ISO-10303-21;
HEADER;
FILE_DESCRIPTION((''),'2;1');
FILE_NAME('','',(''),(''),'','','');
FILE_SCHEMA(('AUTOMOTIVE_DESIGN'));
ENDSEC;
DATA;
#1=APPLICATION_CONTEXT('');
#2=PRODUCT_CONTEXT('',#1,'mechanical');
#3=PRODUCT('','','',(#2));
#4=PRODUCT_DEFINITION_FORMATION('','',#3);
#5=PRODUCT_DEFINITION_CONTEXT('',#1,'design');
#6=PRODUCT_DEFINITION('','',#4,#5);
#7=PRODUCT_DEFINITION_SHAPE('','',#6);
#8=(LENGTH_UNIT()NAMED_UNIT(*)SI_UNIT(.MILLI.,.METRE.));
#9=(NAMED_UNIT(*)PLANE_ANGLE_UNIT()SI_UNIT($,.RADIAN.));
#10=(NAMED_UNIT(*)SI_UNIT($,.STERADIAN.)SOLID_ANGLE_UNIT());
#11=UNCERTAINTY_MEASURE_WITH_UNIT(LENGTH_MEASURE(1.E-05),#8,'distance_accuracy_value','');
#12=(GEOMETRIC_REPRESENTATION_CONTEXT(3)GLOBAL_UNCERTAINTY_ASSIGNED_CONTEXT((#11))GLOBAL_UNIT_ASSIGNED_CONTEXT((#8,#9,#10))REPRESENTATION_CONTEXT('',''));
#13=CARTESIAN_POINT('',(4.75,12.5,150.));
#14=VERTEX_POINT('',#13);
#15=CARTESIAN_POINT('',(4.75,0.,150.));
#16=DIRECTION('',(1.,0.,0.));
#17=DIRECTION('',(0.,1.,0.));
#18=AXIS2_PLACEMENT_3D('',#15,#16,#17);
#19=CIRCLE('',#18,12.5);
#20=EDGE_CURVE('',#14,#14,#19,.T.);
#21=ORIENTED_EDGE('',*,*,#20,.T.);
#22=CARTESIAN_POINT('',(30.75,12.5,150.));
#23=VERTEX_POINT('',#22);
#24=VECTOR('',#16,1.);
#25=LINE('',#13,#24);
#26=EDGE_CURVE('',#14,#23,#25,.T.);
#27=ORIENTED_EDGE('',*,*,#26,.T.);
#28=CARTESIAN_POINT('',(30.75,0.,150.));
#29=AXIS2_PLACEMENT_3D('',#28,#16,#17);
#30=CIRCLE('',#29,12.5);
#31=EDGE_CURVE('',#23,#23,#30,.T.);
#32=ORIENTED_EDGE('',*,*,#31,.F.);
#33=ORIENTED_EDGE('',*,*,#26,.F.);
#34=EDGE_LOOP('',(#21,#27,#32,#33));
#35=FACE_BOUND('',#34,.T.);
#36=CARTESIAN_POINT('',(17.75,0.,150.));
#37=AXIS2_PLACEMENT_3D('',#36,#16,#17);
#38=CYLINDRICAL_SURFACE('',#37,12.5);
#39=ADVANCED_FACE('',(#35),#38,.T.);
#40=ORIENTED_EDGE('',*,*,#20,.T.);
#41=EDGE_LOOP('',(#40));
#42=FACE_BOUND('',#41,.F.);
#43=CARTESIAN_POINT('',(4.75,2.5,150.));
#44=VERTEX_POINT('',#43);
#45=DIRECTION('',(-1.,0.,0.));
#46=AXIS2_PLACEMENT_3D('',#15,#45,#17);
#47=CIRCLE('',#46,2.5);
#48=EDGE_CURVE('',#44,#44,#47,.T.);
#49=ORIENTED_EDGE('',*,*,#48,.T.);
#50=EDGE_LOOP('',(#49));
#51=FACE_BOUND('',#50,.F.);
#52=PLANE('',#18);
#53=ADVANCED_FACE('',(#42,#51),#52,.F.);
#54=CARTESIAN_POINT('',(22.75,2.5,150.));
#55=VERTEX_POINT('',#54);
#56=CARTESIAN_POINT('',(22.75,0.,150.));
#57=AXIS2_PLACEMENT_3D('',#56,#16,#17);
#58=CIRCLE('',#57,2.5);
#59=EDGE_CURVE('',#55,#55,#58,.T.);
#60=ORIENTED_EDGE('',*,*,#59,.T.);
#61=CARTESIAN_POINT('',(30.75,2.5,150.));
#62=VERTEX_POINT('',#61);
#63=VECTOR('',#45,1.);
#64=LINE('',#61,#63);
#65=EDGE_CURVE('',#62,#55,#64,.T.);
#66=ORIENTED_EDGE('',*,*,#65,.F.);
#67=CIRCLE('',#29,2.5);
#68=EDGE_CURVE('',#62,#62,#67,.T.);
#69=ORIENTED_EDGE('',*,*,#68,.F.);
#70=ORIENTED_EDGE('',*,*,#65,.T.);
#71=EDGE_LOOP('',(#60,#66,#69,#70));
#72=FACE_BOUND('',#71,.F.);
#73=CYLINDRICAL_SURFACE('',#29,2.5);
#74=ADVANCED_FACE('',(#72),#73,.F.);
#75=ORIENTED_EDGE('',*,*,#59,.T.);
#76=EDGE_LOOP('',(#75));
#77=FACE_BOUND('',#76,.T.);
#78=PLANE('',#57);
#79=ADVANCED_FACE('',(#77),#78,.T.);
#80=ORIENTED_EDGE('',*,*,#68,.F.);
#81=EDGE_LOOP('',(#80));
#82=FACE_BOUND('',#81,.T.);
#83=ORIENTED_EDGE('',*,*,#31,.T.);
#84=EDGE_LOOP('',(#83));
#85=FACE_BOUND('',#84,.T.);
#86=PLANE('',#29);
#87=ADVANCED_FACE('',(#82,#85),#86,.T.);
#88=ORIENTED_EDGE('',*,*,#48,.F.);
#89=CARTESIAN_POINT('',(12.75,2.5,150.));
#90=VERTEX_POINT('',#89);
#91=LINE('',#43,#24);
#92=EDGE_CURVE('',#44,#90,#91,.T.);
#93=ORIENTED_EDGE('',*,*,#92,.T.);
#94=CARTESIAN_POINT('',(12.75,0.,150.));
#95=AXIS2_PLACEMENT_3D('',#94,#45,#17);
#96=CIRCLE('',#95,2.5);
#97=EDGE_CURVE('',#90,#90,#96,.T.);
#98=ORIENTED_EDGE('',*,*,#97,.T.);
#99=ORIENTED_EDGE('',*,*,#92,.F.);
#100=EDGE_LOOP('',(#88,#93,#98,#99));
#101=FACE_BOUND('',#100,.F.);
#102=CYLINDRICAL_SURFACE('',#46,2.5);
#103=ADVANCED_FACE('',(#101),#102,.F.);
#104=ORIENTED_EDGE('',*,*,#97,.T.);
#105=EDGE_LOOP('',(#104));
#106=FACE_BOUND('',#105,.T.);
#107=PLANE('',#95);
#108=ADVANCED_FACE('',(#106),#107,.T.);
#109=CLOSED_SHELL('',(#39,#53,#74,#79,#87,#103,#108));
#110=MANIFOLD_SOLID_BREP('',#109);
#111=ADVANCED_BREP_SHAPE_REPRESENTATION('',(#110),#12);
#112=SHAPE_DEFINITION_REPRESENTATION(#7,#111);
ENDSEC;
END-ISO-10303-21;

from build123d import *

# Parameters (mm, degrees)
SKETCH057_R             = 12.5
PAD023_DEPTH            = 13
SKETCH058_R             = 2.5
POCKET032_DEPTH         = 8
SKETCH062_R             = 2.5
POCKET031_DEPTH         = 8
BODY015_PLACEMENT_ANGLE = 90


with BuildPart() as part:
    # Sketch057 → Pad023 (new body, symmetric)
    with BuildSketch(Plane.XZ):
        Circle(SKETCH057_R)
    extrude(amount=PAD023_DEPTH, both=True)

    # Sketch058 (on Face3 of Pad023) → Pocket032 (cut)
    with BuildSketch(Plane.XZ.offset(13)):
        Circle(SKETCH058_R)
    extrude(amount=-POCKET032_DEPTH, mode=Mode.SUBTRACT)

    # Sketch062 (on Face2 of Pocket032) → Pocket031 (cut)
    with BuildSketch(Plane(origin=(0, 13, 0), x_dir=(1, 0, 0), z_dir=(0, 1, 0))):
        Circle(SKETCH062_R)
    extrude(amount=-POCKET031_DEPTH, mode=Mode.SUBTRACT)


with BuildPart() as part_1:
    # Body015 placement: moved
    add(part.part.moved(Location((17.75, 0, 150))).rotate(Axis((17.75, 0, 150), (0, 0, 1)), BODY015_PLACEMENT_ANGLE))


solid = part_1.part
